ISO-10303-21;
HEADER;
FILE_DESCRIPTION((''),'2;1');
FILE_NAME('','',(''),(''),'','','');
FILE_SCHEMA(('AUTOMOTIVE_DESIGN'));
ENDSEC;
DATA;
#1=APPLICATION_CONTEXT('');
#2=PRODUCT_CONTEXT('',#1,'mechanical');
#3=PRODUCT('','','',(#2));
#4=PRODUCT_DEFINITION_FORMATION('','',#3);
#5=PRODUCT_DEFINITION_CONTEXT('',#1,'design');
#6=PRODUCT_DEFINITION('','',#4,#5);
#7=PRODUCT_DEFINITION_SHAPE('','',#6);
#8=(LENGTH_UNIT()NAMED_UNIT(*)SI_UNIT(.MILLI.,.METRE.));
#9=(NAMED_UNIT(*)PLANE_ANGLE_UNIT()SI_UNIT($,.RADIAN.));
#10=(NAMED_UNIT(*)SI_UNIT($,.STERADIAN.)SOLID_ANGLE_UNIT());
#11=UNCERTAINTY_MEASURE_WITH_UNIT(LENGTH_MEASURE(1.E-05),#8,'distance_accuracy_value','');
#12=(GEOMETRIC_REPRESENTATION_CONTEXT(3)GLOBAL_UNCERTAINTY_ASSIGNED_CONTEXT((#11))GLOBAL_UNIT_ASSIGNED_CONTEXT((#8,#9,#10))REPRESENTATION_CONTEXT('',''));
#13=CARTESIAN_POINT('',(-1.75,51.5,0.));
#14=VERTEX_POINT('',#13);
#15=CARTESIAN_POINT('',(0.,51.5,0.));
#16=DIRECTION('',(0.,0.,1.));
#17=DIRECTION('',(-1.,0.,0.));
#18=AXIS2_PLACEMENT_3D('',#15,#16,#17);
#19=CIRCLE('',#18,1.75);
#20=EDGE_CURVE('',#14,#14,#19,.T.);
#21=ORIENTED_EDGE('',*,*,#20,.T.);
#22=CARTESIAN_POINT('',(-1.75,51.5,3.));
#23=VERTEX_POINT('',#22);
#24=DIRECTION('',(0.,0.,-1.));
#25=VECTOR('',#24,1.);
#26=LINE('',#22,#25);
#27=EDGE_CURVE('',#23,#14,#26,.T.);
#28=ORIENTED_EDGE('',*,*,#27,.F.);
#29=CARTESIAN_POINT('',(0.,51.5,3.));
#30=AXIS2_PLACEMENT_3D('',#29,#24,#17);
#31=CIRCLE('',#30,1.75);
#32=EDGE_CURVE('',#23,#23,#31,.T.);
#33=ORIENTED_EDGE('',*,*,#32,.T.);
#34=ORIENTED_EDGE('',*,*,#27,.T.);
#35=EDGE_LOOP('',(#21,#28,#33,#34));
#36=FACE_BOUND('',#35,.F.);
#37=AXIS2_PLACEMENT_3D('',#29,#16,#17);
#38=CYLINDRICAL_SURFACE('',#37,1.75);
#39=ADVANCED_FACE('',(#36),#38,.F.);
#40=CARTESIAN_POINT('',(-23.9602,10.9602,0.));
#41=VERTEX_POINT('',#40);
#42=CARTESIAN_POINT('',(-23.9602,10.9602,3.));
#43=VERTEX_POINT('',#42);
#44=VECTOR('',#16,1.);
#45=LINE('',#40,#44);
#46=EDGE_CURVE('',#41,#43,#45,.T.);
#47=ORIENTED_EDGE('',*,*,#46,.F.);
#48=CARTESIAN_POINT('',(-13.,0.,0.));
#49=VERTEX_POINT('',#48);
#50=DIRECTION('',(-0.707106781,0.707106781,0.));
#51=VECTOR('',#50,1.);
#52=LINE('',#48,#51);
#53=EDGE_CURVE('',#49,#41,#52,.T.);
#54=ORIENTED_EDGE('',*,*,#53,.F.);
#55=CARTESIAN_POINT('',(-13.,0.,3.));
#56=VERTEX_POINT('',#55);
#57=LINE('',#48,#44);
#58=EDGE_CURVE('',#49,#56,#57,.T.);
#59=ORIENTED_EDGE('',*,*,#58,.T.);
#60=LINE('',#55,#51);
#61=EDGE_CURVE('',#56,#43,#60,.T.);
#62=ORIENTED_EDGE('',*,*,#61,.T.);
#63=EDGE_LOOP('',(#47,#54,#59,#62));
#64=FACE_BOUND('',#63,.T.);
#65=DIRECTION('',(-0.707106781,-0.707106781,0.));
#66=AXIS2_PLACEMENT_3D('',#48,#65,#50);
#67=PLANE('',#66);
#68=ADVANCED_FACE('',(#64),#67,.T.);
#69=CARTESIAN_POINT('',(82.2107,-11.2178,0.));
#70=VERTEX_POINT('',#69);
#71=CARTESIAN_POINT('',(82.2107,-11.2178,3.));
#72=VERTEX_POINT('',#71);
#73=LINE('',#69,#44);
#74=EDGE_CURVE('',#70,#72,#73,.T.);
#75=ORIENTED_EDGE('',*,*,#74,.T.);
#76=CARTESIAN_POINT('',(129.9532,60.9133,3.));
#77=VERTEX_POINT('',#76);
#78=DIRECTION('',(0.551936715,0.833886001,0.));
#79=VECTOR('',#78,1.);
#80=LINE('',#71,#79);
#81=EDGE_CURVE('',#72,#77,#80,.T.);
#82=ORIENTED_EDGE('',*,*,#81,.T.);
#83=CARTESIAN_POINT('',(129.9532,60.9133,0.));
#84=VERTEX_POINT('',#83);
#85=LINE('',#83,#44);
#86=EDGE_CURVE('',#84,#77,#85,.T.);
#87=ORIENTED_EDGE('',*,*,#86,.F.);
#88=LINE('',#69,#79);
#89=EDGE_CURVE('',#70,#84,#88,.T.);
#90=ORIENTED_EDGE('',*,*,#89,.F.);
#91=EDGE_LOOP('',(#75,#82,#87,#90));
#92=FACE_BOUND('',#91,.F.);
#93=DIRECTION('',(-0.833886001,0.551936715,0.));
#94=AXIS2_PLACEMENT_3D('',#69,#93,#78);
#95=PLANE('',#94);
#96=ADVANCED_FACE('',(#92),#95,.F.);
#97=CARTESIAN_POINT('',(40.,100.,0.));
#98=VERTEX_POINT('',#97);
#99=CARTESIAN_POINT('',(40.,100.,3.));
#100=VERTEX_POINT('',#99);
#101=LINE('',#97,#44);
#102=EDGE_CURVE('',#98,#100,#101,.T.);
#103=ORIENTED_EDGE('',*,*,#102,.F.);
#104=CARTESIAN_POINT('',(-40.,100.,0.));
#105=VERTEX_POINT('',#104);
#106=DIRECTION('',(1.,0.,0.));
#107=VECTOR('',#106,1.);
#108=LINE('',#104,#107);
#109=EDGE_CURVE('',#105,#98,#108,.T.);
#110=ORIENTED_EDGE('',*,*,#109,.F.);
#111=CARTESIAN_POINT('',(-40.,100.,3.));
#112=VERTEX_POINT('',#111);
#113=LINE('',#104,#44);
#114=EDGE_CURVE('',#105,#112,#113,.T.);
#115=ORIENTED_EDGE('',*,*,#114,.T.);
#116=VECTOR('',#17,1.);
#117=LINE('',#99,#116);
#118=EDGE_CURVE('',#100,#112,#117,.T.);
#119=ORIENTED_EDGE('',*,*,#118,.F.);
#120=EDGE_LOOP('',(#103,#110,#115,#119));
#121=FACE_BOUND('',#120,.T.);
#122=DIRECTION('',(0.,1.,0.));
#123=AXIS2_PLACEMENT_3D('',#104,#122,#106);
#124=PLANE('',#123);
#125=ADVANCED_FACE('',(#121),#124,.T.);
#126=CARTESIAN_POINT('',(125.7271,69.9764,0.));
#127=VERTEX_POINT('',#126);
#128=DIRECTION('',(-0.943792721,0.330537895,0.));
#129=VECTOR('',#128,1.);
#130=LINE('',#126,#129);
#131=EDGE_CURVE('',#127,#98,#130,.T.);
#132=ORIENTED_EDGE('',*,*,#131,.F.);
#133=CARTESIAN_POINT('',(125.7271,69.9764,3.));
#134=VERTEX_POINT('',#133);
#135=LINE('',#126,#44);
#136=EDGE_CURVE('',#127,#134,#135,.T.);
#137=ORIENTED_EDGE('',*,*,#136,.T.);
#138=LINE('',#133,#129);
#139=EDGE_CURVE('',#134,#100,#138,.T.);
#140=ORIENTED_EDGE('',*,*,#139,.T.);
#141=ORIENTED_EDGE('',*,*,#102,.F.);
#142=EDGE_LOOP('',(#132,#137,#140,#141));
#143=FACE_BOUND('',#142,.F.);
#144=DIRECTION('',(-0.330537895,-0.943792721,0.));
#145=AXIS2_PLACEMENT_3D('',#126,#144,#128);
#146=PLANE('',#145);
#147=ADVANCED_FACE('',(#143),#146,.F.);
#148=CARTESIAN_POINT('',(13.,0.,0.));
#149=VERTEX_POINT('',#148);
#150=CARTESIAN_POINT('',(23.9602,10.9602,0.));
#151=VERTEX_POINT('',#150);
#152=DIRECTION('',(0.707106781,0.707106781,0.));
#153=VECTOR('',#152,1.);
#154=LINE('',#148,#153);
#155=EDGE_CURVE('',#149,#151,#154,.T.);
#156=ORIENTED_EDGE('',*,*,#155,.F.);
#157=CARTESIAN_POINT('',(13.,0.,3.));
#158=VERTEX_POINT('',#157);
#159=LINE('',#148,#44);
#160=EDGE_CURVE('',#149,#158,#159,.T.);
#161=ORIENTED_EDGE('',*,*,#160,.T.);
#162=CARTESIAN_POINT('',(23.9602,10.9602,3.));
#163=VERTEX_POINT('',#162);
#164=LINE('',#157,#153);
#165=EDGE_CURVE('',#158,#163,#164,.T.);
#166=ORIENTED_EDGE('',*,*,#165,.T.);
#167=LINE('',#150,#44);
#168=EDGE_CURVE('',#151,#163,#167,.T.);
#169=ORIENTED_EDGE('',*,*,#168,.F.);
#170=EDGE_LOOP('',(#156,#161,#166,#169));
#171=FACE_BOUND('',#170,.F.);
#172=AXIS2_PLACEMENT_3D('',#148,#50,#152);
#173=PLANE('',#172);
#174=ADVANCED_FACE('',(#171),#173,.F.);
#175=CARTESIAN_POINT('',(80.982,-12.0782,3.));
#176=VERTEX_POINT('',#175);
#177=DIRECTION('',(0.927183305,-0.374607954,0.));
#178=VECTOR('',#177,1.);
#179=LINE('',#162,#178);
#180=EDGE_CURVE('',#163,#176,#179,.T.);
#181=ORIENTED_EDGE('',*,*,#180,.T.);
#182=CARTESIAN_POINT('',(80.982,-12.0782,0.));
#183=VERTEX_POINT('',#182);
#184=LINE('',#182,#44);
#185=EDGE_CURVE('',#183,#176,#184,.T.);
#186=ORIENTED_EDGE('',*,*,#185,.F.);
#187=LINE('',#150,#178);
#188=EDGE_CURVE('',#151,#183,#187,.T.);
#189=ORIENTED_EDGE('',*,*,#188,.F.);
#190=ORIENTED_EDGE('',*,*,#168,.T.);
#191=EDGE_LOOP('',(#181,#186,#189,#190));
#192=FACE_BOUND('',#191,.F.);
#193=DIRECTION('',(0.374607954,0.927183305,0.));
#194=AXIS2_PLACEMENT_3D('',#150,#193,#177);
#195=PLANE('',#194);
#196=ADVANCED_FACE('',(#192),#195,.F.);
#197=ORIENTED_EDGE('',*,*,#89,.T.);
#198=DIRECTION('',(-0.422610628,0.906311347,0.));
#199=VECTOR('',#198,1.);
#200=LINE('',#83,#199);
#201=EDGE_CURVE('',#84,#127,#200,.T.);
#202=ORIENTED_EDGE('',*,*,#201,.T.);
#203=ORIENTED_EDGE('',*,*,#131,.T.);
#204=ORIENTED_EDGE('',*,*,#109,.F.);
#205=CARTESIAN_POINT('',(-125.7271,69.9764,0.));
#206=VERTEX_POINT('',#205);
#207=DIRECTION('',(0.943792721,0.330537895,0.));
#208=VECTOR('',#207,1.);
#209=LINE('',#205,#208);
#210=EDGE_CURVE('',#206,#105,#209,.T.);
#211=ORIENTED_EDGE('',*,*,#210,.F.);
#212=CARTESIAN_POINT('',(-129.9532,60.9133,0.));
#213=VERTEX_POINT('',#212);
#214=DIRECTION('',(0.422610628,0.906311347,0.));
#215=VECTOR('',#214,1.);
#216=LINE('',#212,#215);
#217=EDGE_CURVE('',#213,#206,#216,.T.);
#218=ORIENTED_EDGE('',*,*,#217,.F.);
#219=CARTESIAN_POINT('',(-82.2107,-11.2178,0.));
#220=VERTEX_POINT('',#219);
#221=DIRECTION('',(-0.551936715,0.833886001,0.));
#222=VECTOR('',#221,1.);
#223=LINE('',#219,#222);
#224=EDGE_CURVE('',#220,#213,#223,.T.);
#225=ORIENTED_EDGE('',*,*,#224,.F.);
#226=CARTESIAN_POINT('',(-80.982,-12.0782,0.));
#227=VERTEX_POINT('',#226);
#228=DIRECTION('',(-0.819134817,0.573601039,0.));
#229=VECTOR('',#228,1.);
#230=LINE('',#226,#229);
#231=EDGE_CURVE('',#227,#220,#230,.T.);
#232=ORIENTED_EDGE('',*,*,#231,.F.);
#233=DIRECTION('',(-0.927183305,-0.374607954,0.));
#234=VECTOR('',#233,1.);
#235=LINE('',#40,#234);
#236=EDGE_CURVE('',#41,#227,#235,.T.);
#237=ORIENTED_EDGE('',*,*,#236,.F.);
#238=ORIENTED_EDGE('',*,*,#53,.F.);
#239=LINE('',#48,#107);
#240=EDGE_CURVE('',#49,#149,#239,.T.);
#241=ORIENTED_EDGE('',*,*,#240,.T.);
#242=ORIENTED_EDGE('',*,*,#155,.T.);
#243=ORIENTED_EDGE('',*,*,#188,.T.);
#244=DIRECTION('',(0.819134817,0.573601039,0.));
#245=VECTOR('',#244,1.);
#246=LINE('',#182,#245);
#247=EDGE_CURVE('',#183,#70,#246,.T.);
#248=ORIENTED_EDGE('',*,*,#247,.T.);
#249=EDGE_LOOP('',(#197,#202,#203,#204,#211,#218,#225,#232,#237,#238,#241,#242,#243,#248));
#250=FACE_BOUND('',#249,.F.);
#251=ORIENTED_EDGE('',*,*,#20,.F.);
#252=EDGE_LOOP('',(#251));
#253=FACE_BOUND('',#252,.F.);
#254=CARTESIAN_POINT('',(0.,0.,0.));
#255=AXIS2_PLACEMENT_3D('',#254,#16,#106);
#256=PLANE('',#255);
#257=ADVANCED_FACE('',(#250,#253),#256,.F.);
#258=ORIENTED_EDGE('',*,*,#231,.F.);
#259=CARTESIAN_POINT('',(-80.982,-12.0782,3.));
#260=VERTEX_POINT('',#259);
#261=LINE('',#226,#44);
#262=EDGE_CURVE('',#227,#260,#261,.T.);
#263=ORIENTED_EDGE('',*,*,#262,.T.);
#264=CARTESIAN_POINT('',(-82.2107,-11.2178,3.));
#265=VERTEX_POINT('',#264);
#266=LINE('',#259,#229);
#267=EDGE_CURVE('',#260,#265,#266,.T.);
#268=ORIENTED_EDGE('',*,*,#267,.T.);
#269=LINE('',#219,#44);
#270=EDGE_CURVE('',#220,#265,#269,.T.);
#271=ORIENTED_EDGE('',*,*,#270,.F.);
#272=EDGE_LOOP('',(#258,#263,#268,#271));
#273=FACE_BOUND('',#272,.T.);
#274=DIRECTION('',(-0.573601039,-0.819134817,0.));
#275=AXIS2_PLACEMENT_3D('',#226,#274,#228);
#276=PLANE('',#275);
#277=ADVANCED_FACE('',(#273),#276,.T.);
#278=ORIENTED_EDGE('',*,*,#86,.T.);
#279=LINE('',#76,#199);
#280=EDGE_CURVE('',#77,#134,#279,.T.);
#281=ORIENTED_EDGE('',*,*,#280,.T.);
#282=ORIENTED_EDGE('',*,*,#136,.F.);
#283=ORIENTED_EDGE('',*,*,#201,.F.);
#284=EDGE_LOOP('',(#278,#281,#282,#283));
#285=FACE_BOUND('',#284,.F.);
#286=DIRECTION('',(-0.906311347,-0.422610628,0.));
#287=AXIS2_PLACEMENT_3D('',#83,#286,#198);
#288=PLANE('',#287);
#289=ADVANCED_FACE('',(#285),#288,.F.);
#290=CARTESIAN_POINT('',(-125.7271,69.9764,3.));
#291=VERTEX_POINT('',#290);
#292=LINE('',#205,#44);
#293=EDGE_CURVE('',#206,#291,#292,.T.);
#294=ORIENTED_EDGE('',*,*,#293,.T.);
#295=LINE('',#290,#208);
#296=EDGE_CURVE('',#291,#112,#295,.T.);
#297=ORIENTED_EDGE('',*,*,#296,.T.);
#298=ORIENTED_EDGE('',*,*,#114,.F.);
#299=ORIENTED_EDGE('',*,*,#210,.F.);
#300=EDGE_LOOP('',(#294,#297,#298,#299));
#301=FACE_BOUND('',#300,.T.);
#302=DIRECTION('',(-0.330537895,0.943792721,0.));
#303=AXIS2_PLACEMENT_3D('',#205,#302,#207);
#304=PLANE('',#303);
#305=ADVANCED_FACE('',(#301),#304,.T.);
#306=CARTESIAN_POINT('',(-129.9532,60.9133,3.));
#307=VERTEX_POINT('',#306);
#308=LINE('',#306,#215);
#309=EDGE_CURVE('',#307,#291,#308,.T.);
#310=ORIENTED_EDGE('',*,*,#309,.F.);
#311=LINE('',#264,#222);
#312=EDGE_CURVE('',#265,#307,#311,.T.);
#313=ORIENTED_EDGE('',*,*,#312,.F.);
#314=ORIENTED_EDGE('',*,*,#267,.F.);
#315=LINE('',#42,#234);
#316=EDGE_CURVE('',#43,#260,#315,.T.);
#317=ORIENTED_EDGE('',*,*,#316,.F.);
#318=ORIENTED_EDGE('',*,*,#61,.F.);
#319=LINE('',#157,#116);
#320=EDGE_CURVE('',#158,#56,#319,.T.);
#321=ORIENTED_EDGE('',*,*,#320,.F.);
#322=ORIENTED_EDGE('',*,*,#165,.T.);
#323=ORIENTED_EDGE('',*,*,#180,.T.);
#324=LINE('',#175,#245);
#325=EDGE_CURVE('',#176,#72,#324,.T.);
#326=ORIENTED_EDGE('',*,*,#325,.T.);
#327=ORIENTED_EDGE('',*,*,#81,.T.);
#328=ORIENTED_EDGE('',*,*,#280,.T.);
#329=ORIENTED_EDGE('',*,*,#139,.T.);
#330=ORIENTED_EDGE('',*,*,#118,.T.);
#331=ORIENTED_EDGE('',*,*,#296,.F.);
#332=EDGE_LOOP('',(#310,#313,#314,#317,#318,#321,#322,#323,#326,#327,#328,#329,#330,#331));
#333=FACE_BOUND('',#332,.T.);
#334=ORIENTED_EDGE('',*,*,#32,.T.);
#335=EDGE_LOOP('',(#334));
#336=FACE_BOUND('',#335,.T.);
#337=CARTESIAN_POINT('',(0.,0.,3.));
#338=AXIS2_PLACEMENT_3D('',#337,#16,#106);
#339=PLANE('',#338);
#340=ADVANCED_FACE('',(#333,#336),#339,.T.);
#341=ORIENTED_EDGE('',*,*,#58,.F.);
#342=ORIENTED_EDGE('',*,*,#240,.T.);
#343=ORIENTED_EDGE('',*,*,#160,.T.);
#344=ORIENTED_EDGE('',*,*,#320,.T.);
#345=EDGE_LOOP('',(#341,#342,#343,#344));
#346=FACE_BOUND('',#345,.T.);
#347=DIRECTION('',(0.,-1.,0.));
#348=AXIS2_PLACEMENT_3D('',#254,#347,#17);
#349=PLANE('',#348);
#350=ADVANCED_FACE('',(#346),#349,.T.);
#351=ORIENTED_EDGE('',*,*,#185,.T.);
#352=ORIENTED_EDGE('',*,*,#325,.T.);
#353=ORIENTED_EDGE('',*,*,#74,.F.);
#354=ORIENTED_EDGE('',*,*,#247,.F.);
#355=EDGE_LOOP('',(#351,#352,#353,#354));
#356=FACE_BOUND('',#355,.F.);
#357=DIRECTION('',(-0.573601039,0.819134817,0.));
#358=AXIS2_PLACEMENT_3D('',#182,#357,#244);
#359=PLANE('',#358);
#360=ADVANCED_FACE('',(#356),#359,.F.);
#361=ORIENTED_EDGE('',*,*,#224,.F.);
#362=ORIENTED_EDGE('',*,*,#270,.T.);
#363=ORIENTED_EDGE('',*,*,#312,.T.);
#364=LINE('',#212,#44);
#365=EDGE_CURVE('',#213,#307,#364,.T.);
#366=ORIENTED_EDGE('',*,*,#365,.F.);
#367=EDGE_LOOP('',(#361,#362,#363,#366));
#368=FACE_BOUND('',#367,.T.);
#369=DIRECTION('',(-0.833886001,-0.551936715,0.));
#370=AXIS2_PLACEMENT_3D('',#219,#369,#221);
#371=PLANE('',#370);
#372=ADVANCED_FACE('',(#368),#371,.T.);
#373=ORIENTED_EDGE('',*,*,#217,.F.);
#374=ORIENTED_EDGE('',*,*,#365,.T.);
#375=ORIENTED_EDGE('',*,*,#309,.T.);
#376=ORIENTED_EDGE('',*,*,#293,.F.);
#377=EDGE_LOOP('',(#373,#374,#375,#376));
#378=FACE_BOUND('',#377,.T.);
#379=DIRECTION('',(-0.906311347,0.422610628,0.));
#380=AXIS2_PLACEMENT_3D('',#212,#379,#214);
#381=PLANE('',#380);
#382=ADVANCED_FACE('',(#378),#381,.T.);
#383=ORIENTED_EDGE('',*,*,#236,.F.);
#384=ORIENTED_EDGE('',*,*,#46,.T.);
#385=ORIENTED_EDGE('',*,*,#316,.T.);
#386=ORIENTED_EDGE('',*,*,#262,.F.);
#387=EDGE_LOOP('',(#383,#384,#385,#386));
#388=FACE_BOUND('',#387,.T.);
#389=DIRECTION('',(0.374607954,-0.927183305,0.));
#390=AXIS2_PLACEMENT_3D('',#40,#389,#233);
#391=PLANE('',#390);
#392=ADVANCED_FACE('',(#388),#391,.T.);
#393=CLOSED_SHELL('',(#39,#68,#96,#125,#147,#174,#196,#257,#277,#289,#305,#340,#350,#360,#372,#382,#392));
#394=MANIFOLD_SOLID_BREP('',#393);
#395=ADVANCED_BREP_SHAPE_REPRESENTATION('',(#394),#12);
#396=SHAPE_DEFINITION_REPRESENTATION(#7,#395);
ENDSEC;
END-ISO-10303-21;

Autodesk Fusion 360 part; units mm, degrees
sketch "Sketch1" plane through (0, 0, 0) normal (0, 0, 1) x (1, 0, 0)
  line L0 (0, 0) -> (0, 100)
  line L1 (0, 0) -> (-13, 0)
  line L2 (-13, 0) -> (-23.9602, 10.9602)
  line L3 (-13, 0) -> (2.5, 0) construction
  line L4 (-23.9602, 10.9602) -> (-80.982, -12.0782)
  line L5 (-23.9602, 10.9602) -> (37.5398, 10.9602) construction
  line L6 (-80.982, -12.0782) -> (-82.2107, -11.2178)
  line L7 (-80.982, -12.0782) -> (-79.482, -12.0782) construction
  line L8 (-82.2107, -11.2178) -> (-129.9532, 60.9133)
  line L9 (-82.2107, -11.2178) -> (4.2893, -11.2178) construction
  line L10 (-129.9532, 60.9133) -> (-125.7271, 69.9764)
  line L11 (-129.9532, 60.9133) -> (-119.9532, 60.9133) construction
  line L12 (-125.7271, 69.9764) -> (-40, 100)
  line L13 (-40, 100) -> (0, 100)
  line L14 (13, 0) -> (-2.5, 0) construction
  line L15 (13, 0) -> (23.9602, 10.9602)
  line L16 (23.9602, 10.9602) -> (80.982, -12.0782)
  line L17 (82.2107, -11.2178) -> (129.9532, 60.9133)
  line L18 (80.982, -12.0782) -> (82.2107, -11.2178)
  line L19 (129.9532, 60.9133) -> (125.7271, 69.9764)
  line L20 (125.7271, 69.9764) -> (40, 100)
  line L21 (40, 100) -> (0, 100)
  line L22 (13, 0) -> (0, 0)
  dimension "d1" = 100
  dimension "d2" = 13
  dimension "d3" = 135
  dimension "d4" = 15.5
  dimension "d5" = 158
  dimension "d6" = 61.5
  dimension "d7" = 145
  dimension "d8" = 1.5
  dimension "d9" = 123.5
  dimension "d10" = 86.5
  dimension "d11" = 65
  dimension "d12" = 10
extrude "Extrude1" add sketch "Sketch1" along normal blind 3
sketch "Sketch2" plane through (0, 0, 3) normal (0, 0, 1) x (-1, 0, 0)
  line L0 (-23.9602, -10.9602) -> (-80.982, 12.0782)
  line L1 (-80.982, 12.0782) -> (-82.2107, 11.2178)
  line L2 (-82.2107, 11.2178) -> (-129.9532, -60.9133)
  line L3 (-129.9532, -60.9133) -> (-125.7271, -69.9764)
  line L4 (-125.7271, -69.9764) -> (-40, -100)
  line L5 (-40, -100) -> (40, -100)
  line L6 (40, -100) -> (125.7271, -69.9764)
  line L7 (125.7271, -69.9764) -> (129.9532, -60.9133)
  line L8 (129.9532, -60.9133) -> (82.2107, 11.2178)
  line L9 (82.2107, 11.2178) -> (80.982, 12.0782)
  line L10 (80.982, 12.0782) -> (23.9602, -10.9602)
  line L11 (23.9602, -10.9602) -> (13, 0)
  line L12 (13, 0) -> (-13, 0)
  line L13 (-13, 0) -> (-23.9602, -10.9602)
  line L14 (0, 0) -> (0, -51.5)
  circle A0 centre (0, -51.5) radius 1.75
  dimension "d15" = 51.5
  dimension "d16" = 3.5
extrude "Extrude2" cut sketch "Sketch2" against normal up to surface (3 mm away) contours A0
